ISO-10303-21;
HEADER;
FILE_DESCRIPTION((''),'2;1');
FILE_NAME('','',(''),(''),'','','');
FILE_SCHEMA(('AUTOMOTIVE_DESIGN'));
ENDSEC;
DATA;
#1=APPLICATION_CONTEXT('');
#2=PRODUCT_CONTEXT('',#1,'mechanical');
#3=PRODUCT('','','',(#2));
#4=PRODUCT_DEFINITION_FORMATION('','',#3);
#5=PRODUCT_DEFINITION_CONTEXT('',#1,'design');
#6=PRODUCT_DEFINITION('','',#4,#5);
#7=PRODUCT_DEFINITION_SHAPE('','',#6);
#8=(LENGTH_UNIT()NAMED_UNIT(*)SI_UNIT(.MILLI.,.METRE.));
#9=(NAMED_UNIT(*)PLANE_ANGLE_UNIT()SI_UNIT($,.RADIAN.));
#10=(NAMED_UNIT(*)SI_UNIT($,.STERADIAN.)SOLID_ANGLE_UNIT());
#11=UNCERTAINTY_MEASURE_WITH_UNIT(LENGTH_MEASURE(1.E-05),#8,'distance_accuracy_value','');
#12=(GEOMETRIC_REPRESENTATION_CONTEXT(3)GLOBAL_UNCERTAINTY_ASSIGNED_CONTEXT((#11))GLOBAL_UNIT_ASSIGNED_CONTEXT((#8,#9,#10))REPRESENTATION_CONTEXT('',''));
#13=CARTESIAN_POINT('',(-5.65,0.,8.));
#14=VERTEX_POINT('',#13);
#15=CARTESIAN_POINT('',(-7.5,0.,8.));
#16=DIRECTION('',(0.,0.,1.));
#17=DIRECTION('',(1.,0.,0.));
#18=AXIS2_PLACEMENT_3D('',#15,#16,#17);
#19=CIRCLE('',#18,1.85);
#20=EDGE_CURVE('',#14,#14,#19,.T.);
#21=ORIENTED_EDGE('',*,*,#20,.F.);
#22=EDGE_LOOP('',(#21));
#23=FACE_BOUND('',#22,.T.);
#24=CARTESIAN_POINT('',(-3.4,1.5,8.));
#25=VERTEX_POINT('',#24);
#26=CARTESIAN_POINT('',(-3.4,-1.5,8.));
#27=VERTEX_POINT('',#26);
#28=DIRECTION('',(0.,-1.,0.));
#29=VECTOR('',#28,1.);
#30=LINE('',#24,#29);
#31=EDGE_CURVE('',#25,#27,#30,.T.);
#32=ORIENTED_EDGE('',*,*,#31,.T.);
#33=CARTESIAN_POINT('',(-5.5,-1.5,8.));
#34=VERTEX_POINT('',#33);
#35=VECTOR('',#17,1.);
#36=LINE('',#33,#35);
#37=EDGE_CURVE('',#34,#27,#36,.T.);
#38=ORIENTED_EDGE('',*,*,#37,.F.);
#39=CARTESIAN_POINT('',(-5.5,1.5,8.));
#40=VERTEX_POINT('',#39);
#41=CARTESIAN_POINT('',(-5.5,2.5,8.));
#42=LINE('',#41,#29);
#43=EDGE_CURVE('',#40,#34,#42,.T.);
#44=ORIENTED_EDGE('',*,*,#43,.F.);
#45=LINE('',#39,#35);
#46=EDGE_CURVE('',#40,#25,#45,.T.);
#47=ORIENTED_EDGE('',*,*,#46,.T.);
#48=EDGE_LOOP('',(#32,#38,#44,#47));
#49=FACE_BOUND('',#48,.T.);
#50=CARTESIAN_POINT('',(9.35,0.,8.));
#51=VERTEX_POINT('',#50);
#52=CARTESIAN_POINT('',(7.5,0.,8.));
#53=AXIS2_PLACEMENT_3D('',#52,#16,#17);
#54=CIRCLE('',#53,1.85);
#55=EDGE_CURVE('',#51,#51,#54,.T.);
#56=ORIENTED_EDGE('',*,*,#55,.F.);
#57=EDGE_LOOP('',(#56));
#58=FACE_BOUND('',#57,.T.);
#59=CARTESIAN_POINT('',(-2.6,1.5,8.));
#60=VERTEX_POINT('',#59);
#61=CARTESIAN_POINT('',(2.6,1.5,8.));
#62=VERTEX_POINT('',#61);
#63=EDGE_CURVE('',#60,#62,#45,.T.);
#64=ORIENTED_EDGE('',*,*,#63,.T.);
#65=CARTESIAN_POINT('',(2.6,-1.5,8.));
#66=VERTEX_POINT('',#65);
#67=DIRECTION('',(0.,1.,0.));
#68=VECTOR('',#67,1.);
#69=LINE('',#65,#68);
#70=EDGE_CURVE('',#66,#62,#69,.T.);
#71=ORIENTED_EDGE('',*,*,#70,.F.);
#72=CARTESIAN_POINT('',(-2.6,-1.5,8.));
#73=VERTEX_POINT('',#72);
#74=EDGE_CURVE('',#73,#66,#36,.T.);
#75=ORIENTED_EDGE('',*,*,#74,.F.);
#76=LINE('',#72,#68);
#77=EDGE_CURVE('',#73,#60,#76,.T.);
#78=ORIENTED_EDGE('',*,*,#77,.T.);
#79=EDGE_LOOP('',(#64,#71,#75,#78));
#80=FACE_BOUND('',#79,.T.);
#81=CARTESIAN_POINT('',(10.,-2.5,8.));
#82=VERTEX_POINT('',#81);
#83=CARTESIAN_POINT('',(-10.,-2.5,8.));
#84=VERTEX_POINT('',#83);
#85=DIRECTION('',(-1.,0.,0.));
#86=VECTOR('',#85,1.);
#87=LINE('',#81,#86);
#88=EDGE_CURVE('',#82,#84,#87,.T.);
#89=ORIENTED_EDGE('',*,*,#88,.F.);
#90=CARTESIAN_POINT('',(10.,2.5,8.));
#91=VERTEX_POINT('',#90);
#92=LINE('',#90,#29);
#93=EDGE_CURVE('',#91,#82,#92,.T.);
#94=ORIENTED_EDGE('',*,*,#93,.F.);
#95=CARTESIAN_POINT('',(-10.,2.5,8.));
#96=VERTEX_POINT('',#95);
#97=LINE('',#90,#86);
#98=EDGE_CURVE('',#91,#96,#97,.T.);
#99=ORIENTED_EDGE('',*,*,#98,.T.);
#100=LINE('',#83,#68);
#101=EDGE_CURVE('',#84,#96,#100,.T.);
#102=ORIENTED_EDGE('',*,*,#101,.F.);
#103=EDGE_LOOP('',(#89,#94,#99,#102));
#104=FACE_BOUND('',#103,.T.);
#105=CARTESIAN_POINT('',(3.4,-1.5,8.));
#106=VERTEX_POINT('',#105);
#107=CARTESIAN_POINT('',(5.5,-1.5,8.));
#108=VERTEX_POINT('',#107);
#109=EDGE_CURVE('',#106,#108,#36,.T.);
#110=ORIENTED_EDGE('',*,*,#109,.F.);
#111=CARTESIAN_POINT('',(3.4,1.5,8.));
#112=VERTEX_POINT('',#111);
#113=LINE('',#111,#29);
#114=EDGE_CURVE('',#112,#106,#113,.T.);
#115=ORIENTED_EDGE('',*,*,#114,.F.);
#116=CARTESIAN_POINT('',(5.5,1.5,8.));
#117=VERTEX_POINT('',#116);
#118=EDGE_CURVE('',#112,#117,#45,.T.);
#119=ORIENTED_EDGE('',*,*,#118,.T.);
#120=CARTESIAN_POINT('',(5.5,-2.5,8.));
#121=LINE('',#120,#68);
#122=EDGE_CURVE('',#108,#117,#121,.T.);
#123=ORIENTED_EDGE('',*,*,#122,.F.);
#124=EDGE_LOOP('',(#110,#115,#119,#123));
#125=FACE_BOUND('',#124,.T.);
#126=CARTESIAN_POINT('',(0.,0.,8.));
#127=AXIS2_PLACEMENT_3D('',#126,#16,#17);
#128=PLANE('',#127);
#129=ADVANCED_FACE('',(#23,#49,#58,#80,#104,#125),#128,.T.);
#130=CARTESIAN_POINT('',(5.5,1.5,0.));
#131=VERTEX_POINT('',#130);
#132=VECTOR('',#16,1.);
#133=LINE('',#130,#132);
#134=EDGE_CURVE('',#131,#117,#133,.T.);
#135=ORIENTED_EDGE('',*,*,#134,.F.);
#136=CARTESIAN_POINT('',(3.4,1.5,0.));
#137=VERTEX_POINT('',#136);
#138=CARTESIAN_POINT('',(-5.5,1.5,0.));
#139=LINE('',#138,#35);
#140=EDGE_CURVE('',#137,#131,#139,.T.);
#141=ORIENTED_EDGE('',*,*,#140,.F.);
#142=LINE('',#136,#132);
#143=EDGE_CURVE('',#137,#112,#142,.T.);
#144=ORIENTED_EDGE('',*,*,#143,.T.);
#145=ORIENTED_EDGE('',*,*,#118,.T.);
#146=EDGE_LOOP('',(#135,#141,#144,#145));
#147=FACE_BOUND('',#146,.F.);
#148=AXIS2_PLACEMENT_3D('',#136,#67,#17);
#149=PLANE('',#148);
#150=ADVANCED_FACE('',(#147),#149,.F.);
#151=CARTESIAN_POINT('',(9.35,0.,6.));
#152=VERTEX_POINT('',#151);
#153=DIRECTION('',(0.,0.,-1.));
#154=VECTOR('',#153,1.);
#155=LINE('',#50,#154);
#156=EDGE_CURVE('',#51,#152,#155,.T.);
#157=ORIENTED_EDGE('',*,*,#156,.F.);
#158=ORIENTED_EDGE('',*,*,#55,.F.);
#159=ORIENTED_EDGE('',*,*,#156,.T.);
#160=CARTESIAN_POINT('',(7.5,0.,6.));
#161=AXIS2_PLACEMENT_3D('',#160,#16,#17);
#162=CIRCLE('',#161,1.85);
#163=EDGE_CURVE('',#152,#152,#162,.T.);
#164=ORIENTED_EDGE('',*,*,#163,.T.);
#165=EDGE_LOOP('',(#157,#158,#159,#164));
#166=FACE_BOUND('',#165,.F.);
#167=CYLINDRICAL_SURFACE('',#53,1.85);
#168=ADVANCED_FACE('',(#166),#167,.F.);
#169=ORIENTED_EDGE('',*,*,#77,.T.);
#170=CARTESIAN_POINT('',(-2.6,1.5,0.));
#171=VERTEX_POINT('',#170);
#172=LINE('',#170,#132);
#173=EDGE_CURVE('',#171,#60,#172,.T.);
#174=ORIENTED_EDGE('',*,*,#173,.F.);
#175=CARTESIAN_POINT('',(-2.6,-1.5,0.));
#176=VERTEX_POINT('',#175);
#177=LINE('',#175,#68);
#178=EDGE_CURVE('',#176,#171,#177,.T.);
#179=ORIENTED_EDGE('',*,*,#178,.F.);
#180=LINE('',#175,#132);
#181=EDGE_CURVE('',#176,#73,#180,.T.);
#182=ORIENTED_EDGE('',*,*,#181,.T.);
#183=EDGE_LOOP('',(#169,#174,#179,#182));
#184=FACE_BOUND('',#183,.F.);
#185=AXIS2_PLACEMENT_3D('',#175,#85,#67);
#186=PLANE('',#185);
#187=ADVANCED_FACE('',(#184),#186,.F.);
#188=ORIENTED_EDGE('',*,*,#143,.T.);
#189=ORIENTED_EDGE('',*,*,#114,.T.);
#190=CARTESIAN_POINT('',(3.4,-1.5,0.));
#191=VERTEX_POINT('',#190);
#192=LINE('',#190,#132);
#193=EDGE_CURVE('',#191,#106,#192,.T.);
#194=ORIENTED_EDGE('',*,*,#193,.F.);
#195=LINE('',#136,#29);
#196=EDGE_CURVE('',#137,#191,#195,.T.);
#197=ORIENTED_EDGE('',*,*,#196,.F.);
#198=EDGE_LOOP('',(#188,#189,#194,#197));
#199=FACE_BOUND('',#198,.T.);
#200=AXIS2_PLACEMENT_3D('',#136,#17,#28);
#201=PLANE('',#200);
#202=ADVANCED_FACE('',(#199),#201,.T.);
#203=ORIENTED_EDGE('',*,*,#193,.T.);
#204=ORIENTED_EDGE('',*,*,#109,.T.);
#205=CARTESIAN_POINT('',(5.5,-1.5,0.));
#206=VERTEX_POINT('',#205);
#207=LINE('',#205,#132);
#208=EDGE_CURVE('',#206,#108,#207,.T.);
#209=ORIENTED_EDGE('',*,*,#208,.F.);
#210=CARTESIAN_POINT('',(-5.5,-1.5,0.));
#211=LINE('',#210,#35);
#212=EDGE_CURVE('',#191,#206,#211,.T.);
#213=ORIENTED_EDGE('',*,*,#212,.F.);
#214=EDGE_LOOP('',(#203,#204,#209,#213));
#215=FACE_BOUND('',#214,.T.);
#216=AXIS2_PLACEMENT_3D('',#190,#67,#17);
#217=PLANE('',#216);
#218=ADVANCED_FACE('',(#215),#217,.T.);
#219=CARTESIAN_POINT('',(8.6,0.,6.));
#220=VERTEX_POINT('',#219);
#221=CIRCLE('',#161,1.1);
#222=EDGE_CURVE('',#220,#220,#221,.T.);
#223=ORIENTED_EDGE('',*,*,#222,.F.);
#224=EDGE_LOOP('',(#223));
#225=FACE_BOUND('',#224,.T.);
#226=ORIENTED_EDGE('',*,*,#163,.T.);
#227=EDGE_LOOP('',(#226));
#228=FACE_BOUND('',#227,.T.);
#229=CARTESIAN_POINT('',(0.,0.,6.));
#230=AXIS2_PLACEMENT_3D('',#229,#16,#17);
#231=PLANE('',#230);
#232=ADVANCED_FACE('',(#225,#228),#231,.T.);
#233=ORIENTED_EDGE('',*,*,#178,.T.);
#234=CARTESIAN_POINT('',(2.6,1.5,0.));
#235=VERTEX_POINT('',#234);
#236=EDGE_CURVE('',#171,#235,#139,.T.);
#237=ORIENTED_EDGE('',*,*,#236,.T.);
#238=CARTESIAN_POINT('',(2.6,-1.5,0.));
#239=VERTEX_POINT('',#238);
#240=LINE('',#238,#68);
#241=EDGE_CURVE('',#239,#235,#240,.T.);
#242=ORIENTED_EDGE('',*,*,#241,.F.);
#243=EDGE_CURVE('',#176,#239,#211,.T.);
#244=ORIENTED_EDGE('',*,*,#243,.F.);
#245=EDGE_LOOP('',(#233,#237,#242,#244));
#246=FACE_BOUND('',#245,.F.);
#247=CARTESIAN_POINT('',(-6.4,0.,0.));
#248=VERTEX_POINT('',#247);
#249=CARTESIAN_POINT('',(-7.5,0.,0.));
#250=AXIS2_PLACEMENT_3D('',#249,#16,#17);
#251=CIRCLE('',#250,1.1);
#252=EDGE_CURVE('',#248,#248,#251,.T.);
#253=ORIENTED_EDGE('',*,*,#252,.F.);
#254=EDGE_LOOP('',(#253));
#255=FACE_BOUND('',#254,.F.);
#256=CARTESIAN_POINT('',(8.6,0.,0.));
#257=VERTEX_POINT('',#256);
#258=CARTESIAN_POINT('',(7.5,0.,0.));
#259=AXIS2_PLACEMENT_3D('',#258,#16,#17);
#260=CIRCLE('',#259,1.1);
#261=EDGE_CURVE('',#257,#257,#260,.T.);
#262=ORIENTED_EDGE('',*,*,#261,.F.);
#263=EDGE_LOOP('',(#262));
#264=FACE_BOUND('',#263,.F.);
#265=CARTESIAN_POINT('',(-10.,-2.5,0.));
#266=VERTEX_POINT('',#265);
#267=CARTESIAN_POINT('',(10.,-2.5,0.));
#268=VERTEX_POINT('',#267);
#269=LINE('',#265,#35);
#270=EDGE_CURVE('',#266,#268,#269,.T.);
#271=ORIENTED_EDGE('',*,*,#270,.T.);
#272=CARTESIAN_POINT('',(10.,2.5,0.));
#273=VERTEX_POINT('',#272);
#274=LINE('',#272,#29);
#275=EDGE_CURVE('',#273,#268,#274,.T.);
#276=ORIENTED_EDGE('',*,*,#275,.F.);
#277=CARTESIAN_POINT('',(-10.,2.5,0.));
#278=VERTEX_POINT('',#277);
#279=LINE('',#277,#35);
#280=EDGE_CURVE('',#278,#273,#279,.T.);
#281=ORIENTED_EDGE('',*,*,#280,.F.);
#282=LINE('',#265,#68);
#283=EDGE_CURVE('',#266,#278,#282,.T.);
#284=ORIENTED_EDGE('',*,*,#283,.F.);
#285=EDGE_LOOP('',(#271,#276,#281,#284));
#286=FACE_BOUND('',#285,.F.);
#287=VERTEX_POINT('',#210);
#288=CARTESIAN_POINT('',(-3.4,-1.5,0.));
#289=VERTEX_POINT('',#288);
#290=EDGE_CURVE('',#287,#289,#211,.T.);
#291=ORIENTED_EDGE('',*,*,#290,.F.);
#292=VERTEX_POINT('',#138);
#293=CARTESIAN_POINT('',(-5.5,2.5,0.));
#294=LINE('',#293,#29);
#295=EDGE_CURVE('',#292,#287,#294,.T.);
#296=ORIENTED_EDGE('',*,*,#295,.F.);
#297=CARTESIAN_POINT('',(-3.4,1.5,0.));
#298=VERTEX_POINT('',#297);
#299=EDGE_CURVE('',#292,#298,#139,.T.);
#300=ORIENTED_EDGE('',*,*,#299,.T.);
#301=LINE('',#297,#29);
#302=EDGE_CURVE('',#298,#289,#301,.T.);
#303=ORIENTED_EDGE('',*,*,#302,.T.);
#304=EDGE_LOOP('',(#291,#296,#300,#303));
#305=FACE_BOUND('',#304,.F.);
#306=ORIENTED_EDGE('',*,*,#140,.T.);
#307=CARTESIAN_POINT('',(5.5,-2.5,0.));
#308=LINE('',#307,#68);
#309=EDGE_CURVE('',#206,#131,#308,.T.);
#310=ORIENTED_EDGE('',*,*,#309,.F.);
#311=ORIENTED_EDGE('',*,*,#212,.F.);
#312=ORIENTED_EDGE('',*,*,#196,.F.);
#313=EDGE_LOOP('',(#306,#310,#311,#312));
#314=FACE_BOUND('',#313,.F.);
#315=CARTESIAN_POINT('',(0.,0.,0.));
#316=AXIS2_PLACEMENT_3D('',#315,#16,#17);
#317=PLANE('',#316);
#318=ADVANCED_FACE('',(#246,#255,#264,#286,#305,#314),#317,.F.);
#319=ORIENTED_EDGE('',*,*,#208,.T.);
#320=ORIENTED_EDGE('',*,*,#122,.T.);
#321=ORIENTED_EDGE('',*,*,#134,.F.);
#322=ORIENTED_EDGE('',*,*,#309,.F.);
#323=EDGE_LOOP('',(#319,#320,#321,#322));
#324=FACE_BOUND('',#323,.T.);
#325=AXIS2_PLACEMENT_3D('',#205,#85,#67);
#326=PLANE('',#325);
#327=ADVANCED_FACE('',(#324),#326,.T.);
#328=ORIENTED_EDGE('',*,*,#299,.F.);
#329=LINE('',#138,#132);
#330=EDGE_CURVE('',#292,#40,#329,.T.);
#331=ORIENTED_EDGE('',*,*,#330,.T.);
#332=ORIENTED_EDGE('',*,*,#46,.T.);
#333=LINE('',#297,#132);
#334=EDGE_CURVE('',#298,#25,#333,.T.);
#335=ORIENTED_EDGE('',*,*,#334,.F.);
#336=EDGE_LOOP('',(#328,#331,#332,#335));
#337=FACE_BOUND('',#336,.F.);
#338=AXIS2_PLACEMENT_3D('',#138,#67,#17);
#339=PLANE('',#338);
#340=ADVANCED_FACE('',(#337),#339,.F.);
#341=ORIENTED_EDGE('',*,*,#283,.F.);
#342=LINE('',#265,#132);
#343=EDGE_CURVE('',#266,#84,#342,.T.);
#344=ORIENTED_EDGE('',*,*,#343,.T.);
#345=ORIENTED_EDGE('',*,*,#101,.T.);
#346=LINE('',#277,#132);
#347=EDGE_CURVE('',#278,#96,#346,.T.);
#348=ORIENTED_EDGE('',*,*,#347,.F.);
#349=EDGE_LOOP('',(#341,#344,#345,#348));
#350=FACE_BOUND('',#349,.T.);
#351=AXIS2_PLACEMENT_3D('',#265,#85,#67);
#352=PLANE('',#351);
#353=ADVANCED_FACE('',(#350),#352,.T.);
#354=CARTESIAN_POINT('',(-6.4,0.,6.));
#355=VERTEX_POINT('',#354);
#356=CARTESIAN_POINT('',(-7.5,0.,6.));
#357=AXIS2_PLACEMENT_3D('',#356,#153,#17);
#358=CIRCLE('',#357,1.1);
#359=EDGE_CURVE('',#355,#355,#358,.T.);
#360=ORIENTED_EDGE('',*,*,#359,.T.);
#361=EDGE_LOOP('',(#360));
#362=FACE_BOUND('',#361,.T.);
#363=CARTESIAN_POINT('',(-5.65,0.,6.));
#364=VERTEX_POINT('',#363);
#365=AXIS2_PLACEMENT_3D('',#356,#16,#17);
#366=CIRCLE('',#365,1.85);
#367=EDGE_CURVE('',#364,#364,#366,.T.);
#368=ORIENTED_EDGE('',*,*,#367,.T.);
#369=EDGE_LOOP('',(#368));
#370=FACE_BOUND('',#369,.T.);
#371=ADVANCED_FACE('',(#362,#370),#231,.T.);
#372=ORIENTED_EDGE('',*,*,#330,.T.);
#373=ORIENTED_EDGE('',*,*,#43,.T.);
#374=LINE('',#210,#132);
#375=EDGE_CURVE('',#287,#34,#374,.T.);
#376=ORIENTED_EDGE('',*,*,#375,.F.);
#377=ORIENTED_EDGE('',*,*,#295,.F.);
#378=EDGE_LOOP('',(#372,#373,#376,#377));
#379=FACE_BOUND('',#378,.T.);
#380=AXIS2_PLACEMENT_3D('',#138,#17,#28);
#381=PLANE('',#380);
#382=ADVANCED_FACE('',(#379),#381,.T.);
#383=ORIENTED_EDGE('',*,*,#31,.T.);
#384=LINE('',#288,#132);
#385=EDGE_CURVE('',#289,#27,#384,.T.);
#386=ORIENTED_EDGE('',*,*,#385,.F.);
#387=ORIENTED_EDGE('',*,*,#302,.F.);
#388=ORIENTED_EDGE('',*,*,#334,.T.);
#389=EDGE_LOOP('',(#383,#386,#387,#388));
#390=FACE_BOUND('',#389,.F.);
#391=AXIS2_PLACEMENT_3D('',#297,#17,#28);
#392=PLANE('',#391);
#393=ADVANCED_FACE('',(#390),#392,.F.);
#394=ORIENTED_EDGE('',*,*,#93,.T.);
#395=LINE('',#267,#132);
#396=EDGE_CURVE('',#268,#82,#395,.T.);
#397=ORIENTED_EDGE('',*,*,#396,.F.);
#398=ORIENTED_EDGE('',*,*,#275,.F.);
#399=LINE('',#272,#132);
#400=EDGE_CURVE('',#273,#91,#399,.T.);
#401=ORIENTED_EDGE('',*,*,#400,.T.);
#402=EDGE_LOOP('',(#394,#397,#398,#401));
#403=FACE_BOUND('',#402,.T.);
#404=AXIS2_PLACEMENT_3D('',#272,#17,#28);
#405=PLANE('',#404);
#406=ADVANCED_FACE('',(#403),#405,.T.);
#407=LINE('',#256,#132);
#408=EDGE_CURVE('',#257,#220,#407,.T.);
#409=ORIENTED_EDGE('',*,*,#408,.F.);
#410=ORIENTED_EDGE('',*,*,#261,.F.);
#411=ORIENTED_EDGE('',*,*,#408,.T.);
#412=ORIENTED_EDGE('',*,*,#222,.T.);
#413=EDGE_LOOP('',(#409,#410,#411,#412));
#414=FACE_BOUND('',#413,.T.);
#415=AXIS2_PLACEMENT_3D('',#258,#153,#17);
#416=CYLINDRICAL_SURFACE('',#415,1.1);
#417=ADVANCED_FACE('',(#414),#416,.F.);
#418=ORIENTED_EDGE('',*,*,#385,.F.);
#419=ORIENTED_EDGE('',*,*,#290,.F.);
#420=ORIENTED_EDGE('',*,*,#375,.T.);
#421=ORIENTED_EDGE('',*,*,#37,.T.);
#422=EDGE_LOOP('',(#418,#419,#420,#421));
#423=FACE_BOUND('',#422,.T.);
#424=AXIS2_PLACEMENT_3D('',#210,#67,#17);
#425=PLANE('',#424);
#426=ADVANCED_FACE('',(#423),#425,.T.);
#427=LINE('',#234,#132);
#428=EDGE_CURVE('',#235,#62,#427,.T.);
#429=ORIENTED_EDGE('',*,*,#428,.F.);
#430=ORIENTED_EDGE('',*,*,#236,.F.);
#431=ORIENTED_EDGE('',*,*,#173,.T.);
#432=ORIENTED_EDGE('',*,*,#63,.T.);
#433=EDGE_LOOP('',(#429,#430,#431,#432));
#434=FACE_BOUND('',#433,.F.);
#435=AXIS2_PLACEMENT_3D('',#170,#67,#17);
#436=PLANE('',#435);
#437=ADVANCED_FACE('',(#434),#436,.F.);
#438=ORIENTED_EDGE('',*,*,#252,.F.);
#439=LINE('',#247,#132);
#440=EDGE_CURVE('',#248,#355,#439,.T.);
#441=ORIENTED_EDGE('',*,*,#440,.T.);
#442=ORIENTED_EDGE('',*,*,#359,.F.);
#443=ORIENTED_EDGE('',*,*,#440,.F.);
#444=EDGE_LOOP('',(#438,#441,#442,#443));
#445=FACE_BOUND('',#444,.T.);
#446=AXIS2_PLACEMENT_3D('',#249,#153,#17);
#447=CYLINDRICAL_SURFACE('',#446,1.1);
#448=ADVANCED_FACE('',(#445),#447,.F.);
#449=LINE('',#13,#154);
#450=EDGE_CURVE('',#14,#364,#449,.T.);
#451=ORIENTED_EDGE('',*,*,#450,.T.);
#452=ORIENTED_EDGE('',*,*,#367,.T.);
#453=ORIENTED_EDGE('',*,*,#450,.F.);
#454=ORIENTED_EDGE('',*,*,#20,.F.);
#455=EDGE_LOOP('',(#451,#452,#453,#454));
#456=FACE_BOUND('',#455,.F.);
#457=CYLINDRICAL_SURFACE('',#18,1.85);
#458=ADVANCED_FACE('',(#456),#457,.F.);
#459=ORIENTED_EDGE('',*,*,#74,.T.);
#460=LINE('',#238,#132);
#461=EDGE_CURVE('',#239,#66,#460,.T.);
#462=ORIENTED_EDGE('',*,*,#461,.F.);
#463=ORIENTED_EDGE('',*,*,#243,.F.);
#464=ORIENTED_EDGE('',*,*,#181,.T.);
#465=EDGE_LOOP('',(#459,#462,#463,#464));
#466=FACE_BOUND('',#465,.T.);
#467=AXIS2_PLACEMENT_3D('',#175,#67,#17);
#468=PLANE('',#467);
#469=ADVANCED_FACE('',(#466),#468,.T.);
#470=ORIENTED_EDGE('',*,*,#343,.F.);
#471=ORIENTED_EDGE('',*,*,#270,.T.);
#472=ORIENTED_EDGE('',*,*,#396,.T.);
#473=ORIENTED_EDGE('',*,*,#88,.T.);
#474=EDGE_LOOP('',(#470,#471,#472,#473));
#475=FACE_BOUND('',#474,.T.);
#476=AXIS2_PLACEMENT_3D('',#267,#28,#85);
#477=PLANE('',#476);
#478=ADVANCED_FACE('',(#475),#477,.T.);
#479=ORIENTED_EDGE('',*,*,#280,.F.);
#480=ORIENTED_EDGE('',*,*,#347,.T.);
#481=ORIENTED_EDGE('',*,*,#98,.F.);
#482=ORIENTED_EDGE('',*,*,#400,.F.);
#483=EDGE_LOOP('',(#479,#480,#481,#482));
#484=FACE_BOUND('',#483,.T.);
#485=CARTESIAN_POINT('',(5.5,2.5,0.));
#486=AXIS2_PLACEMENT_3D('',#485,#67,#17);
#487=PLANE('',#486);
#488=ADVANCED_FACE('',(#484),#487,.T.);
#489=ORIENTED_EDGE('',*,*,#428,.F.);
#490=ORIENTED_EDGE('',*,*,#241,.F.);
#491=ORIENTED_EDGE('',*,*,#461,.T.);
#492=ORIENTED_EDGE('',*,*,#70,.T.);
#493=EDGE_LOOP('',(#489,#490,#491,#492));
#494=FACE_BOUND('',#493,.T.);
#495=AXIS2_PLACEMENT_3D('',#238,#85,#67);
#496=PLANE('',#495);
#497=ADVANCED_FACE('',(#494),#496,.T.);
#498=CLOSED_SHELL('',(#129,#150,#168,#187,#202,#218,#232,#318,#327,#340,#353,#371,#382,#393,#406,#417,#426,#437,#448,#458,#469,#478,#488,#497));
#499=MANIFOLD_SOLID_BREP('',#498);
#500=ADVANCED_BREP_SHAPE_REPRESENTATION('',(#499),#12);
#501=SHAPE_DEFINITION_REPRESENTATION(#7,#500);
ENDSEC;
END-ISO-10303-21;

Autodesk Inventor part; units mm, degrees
ref_plane "YZ Plane" through (0, 0, 0) normal (1, 0, 0) x (0, 1, 0)
ref_plane "XZ Plane" through (0, 0, 0) normal (0, 1, 0) x (-1, 0, 0)
ref_plane "XY Plane" through (0, 0, 0) normal (0, 0, 1) x (1, 0, 0)
sketch "スケッチ1" plane through (0, 0, 0) normal (0, 0, 1) x (1, 0, 0)
  line L0 (10, -2.5) -> (-10, -2.5)
  line L1 (-10, -2.5) -> (-10, 2.5)
  line L2 (-10, 2.5) -> (10, 2.5)
  line L3 (10, 2.5) -> (10, -2.5)
  line L4 (10, -2.5) -> (-10, 2.5) construction
  line L5 (-10, -2.5) -> (10, 2.5) construction
  circle A0 centre (-7.5, 0) radius 1.1
  circle A1 centre (7.5, 0) radius 1.1
  line L6 (5.5, -2.5) -> (5.5, 2.5)
  line L7 (-5.5, 2.5) -> (-5.5, -2.5)
  line L8 (-5.5, -1.5) -> (5.5, -1.5)
  line L9 (-5.5, 1.5) -> (5.5, 1.5)
  line L10 (3, -1.5) -> (3, 1.5)
  line L11 (3, 1.5) -> (3.4, 1.5)
  line L12 (3.4, 1.5) -> (3.4, -1.5)
  line L13 (3, -1.5) -> (2.6, -1.5)
  line L14 (2.6, -1.5) -> (2.6, 1.5)
  line L15 (-3, -1.5) -> (-3, 1.5)
  line L16 (-3, 1.5) -> (-3.4, 1.5)
  line L17 (-3.4, 1.5) -> (-3.4, -1.5)
  line L18 (-3, -1.5) -> (-2.6, -1.5)
  line L19 (-2.6, -1.5) -> (-2.6, 1.5)
  point P0 (0, 0)
  dimension "d0" = 20
  dimension "d1" = 5
  dimension "d2" = 2.2
  dimension "d3" = 2.2
  dimension "d4" = 0.4
  dimension "d5" = 0.4
  dimension "d6" = 0.4
  dimension "d7" = 0.4
  dimension "d10" = 1
  dimension "d11" = 1
  dimension "d16" = 2.5
  dimension "d17" = 4.5
  dimension "d18" = 2.1
extrude "押し出し1" add sketch "スケッチ1" along normal blind 8 contours L0 L6 L2 L3 | L0 L7 L8 L6 | L0 L1 L2 L7 | L6 L9 L7 L2 | L8 L10 L9 L12 | L17 L9 L15 L8 | L8 L14 L9 L10 | L15 L9 L19 L8
sketch "スケッチ2" plane through (0, 0, 8) normal (0, 0, 1) x (1, 0, 0)
  circle A0 centre (-7.5, 0) radius 1.1 projected
  circle A1 centre (-7.5, 0) radius 1.85
  circle A2 centre (7.5, 0) radius 1.1 projected
  circle A3 centre (7.5, 0) radius 1.85
  point P0 (0, 0)
  dimension "d12" = 3.7
  dimension "d13" = 3.7
extrude "押し出し2" cut sketch "スケッチ2" against normal blind 2 contours A0 | A1 | A3
properties part number "griper_TPU" material "ゴム、シリコーン"
